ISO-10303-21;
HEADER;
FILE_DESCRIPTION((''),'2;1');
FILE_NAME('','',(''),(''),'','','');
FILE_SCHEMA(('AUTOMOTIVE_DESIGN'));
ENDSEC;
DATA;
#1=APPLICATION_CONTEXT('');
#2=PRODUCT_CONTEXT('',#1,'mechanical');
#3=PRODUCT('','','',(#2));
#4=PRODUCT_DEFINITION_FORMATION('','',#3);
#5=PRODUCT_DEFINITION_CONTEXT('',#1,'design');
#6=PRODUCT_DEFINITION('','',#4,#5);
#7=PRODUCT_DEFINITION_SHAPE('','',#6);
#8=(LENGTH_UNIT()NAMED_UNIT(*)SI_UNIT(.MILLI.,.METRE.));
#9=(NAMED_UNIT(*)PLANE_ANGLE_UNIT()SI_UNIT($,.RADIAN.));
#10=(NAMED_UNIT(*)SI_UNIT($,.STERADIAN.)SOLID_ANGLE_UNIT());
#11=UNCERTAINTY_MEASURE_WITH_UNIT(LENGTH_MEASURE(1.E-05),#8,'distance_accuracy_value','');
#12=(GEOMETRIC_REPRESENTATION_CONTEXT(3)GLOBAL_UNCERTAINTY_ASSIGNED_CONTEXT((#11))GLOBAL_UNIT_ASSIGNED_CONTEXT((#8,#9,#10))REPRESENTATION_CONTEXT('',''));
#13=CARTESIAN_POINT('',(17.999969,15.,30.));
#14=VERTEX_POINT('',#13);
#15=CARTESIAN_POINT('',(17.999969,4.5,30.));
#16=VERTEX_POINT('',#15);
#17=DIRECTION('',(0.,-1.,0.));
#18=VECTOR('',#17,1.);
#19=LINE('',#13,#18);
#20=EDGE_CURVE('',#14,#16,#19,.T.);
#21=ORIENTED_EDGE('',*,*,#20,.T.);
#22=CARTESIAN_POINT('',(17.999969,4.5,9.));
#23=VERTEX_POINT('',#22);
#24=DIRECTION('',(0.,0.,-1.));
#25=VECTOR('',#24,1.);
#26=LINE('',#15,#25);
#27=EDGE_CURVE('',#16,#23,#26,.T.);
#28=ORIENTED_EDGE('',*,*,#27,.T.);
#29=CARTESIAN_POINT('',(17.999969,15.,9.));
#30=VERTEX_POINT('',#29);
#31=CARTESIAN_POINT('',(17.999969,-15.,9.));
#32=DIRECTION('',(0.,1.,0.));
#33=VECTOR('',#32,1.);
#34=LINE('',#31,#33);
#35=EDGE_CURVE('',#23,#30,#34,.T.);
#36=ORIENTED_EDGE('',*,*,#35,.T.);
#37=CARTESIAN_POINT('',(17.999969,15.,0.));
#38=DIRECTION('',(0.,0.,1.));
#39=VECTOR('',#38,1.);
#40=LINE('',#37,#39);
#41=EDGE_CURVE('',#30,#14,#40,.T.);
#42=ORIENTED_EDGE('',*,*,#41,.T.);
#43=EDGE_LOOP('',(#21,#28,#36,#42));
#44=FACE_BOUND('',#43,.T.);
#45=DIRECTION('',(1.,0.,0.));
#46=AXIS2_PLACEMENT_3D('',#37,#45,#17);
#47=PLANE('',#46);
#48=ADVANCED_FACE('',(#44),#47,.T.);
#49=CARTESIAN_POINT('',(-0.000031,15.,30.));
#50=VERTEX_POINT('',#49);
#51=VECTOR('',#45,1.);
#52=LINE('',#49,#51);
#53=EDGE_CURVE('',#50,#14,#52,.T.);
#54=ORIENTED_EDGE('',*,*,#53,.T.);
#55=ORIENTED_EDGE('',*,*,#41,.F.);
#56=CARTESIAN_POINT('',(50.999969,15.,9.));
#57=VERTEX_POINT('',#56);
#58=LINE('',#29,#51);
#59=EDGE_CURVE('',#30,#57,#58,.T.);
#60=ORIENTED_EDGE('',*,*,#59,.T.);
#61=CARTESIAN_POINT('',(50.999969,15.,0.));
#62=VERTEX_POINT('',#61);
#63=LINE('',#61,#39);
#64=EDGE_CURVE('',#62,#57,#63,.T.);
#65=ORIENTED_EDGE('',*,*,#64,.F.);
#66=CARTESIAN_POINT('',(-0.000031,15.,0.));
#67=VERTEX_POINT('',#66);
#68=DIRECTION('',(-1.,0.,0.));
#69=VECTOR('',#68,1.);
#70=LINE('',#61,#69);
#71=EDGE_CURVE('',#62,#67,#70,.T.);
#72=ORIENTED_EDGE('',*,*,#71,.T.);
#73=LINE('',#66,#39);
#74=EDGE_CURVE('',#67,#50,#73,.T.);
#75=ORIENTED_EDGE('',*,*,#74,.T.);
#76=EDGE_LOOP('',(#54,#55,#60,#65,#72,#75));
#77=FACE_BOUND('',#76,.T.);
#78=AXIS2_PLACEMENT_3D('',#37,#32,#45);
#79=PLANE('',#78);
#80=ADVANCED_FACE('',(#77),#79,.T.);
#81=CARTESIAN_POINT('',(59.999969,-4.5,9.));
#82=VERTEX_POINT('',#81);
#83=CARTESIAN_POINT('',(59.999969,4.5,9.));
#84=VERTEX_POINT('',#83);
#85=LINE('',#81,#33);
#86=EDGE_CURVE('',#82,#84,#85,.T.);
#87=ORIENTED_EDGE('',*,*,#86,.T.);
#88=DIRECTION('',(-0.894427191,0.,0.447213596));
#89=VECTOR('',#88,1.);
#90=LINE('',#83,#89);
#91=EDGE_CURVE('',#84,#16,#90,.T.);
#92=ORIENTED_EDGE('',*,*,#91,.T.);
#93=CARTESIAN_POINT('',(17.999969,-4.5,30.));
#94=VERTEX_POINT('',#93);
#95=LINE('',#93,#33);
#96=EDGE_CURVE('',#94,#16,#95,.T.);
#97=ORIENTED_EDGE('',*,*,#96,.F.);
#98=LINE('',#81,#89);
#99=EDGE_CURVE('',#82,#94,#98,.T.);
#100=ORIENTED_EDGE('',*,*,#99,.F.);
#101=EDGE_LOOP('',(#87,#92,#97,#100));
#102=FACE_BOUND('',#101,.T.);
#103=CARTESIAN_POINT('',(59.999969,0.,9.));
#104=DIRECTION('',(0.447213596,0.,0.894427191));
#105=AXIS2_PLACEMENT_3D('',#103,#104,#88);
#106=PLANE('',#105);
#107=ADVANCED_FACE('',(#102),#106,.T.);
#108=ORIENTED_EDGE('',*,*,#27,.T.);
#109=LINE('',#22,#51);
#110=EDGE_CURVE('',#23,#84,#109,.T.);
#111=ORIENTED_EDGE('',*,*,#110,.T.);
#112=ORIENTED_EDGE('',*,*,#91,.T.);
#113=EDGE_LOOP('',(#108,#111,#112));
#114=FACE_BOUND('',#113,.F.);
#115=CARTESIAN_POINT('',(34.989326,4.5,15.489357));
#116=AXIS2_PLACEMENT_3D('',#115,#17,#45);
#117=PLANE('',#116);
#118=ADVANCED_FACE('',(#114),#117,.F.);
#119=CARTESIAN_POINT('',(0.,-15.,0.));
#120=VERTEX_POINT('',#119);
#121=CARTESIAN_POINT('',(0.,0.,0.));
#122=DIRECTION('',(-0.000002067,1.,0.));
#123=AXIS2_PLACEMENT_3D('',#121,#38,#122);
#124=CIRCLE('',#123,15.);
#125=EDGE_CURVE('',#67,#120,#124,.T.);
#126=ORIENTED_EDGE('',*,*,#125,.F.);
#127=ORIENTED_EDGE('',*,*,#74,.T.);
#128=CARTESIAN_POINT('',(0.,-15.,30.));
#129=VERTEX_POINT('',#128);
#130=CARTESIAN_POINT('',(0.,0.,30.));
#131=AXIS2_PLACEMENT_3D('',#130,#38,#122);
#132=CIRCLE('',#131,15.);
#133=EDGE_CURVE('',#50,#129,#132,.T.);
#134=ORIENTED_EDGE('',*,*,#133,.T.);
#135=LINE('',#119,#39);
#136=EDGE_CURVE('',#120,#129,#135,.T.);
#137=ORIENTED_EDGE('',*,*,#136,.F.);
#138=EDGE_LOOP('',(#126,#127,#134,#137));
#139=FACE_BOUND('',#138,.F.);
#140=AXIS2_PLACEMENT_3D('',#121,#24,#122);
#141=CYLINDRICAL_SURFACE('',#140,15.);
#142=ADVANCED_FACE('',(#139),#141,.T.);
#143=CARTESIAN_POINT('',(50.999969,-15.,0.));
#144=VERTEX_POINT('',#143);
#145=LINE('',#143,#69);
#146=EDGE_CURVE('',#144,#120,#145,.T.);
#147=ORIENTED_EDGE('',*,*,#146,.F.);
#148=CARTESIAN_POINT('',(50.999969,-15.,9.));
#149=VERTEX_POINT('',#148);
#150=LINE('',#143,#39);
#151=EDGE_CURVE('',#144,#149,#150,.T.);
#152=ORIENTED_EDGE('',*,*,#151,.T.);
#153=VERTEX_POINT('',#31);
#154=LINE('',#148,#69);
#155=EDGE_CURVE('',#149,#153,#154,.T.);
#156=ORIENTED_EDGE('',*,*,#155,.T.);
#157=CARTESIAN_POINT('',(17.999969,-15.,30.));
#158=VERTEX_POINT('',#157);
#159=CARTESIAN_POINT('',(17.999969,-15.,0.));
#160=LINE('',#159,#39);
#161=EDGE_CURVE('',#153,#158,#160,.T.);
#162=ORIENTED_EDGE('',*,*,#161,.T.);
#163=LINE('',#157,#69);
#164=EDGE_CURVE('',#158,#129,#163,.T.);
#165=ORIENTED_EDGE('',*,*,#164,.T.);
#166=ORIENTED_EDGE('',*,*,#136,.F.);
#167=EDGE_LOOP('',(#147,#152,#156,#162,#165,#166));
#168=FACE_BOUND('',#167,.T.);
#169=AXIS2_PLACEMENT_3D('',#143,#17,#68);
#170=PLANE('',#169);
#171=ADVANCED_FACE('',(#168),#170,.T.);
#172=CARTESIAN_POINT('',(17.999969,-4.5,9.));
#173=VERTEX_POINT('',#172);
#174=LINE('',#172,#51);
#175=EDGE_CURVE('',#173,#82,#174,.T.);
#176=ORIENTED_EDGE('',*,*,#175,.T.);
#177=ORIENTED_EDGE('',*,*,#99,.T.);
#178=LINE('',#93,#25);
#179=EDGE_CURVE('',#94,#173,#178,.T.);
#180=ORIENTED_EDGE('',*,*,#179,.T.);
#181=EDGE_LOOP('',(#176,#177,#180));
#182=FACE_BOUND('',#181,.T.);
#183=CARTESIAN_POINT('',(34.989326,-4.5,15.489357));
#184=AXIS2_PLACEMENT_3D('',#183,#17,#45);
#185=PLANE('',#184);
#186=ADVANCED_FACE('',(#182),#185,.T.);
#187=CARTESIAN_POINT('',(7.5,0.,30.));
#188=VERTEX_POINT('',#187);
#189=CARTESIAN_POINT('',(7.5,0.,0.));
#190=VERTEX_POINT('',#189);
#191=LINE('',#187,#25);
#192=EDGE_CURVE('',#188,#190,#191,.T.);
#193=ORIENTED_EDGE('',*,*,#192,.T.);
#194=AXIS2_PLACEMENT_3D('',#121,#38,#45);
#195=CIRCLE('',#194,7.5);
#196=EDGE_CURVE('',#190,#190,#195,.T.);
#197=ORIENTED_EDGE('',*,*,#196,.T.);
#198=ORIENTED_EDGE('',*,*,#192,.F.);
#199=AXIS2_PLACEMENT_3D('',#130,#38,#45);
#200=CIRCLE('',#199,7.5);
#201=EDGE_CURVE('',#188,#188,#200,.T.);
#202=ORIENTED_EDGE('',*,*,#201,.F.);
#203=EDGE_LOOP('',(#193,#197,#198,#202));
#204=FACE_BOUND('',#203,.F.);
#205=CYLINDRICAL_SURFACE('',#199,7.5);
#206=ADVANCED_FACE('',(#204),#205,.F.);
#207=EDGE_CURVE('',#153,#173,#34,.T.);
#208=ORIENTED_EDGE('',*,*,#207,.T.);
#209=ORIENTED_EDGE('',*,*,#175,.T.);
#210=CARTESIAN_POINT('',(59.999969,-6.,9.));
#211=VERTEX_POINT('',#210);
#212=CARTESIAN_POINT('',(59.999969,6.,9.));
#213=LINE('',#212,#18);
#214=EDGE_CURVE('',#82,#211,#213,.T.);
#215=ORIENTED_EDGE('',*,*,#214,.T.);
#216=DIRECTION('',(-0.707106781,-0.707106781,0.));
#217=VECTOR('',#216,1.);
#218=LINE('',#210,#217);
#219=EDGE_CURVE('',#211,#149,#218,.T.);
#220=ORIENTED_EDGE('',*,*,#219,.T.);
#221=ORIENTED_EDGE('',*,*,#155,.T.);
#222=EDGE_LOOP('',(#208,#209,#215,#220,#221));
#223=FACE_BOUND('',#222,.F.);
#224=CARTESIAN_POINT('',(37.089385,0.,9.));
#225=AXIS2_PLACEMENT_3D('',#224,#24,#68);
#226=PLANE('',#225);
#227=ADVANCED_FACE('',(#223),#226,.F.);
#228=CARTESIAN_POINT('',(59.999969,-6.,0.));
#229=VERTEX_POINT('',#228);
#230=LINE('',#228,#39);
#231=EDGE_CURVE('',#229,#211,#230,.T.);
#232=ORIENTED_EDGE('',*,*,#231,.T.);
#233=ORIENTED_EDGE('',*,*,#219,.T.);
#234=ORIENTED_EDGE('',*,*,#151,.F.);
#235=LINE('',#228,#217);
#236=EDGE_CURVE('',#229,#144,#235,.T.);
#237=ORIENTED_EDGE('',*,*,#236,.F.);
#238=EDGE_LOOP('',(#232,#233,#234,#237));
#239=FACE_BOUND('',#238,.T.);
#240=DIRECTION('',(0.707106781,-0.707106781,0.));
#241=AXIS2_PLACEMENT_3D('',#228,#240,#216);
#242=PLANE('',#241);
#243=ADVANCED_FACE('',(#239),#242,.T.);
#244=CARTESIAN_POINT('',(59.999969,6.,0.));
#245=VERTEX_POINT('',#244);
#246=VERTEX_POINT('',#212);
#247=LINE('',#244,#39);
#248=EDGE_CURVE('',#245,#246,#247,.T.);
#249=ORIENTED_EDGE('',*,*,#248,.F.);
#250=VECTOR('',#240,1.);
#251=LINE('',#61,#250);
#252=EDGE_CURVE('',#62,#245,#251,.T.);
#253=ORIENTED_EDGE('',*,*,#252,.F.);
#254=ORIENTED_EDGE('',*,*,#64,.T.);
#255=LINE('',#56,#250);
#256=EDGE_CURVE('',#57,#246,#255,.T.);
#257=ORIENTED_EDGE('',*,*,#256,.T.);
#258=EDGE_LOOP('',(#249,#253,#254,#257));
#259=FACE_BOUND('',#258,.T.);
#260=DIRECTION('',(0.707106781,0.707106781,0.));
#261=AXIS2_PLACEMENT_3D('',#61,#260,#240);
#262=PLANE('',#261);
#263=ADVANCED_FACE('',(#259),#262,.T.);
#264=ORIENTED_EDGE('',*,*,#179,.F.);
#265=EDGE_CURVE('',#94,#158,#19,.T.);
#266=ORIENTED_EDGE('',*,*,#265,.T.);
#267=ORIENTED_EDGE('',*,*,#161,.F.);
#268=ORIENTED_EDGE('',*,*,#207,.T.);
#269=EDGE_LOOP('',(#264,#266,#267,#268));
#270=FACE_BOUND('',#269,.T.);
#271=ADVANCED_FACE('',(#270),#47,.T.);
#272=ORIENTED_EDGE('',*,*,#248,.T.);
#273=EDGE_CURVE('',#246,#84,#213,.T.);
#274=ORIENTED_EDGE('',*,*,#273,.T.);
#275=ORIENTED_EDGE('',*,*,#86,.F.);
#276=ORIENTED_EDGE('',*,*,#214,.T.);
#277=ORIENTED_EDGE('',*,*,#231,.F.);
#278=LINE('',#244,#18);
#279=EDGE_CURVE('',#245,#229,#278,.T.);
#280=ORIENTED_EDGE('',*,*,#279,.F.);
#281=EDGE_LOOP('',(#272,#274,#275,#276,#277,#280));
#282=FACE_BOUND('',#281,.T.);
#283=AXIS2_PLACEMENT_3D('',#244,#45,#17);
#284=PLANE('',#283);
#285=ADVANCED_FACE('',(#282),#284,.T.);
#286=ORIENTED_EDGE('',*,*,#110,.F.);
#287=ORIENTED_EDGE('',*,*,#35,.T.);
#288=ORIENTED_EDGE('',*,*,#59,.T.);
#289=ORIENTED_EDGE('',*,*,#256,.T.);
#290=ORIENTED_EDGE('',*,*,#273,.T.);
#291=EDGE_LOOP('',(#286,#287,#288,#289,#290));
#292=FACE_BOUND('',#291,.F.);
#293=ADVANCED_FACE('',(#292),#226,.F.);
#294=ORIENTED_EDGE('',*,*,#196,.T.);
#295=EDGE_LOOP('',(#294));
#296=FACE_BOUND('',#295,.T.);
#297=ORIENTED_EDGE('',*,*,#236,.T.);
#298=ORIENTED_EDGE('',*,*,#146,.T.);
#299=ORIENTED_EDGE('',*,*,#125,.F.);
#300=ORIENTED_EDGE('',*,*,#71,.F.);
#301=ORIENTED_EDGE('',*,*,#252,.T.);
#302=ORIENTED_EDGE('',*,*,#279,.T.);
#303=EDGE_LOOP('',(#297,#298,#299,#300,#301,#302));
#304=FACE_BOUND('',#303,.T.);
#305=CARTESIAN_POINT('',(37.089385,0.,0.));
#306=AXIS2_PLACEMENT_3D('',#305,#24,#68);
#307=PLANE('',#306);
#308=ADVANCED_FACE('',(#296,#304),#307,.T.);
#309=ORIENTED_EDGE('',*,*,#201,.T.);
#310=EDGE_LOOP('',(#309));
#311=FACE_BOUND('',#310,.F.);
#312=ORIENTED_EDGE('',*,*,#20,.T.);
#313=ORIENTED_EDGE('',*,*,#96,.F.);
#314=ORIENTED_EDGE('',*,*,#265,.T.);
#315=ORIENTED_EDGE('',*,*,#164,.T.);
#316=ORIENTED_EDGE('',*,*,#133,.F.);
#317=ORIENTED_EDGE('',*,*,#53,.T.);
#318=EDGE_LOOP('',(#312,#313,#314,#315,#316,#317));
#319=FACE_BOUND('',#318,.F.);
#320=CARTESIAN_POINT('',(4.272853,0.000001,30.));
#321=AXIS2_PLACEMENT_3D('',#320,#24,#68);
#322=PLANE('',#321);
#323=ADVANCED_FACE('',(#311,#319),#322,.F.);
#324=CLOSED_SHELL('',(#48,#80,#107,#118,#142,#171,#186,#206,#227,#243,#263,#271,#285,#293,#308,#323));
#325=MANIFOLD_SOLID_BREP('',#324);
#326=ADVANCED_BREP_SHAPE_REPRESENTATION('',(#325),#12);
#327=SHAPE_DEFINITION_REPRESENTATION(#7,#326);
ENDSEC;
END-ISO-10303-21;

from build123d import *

# Parameters (mm, degrees)
PAD_DEPTH    = 30
PAD001_DEPTH = 9
PAD002_DEPTH = 4.5
SKETCH003_R  = 7.5
POCKET_DEPTH = 30.001


with BuildPart() as part:
    # Sketch → Pad (new body)
    with BuildSketch(Plane.XY):
        with BuildLine():
            Line((-3.1e-05, 15), (17.999969, 15))
            Line((17.999969, 15), (17.999969, -15))
            Line((17.999969, -15), (0, -15))
            ThreePointArc((-3.1e-05, 15), (-15, -1.5e-05), (0, -15))
        make_face()
    extrude(amount=PAD_DEPTH)

    # Sketch001 → Pad001 (join)
    with BuildSketch(Plane.XY):
        Polygon((17.999969, 15), (50.999969, 15), (59.999969, 6), (59.999969, -6), (50.999969, -15), (17.999969, -15), align=None)
    extrude(amount=PAD001_DEPTH)

    # Sketch002 → Pad002 (join, symmetric)
    with BuildSketch(Plane.XZ):
        Polygon((17.999969, 30), (17.999969, 9), (59.999969, 9), align=None)
    extrude(amount=PAD002_DEPTH, both=True)

    # Sketch003 (on Face7 of Pad002) → Pocket (cut, through all)
    with BuildSketch(Plane.XY.offset(30)):
        Circle(SKETCH003_R)
    extrude(amount=-POCKET_DEPTH, mode=Mode.SUBTRACT)


solid = part.part
